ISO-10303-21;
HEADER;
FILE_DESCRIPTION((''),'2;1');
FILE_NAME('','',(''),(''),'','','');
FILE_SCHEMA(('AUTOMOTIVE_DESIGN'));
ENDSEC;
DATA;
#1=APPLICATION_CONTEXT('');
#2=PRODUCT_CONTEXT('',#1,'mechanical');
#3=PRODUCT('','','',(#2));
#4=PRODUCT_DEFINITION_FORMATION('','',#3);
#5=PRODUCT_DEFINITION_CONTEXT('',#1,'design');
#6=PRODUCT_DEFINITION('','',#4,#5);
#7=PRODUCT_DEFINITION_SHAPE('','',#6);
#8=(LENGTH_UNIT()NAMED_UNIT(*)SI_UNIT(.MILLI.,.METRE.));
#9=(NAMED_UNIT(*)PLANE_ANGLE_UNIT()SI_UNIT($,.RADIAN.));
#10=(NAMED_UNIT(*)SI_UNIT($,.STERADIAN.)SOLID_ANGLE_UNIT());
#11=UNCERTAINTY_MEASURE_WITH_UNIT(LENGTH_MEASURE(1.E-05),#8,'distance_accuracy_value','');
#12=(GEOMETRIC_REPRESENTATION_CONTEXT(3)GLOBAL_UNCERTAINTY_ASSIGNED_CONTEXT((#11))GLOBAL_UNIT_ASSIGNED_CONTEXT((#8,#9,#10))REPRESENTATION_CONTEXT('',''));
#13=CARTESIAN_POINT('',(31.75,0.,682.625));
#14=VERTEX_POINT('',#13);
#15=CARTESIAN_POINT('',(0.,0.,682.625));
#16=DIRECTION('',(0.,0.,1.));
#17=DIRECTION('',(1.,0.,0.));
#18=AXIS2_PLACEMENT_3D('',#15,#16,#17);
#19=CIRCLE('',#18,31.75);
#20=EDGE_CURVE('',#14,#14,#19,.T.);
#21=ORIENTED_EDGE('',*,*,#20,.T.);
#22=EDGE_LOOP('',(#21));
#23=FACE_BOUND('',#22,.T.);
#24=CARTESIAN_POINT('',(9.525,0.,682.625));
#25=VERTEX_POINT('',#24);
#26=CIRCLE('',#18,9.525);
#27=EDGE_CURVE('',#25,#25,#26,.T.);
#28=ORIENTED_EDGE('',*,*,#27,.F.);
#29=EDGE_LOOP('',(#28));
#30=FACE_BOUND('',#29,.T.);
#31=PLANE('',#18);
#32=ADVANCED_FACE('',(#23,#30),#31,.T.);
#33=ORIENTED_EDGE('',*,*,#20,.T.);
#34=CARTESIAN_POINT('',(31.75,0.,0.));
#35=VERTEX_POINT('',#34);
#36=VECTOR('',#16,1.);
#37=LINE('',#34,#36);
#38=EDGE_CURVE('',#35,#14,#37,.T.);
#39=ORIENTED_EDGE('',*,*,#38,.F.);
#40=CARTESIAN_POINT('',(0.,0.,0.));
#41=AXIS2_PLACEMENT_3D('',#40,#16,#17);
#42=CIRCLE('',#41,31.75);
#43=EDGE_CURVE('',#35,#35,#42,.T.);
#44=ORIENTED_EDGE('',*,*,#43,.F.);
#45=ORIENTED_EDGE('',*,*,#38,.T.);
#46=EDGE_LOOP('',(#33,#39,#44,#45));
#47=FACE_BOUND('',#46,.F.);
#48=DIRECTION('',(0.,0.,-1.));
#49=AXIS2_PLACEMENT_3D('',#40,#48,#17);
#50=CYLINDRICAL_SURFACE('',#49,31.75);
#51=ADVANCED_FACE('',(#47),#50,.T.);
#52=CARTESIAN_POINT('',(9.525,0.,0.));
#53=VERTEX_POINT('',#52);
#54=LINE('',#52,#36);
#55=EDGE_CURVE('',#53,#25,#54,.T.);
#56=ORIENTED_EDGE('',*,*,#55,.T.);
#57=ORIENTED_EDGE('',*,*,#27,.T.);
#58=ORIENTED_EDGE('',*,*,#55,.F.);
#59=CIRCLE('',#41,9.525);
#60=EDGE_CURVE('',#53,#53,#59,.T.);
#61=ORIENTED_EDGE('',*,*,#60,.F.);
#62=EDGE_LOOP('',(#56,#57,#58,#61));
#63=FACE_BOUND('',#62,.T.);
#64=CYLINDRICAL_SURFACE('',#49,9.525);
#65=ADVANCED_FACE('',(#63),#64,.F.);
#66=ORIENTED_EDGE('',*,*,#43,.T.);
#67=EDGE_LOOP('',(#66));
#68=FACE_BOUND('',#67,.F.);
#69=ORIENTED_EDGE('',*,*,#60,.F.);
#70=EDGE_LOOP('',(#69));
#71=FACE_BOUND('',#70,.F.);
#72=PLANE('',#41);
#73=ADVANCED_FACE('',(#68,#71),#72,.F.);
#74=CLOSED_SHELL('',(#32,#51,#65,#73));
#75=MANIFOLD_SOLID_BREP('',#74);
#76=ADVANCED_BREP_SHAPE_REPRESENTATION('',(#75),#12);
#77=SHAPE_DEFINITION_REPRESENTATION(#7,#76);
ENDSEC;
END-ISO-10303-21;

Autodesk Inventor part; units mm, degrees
ref_plane "YZ Plane" through (0, 0, 0) normal (1, 0, 0) x (0, 1, 0)
ref_plane "XZ Plane" through (0, 0, 0) normal (0, 1, 0) x (-1, 0, 0)
ref_plane "XY Plane" through (0, 0, 0) normal (0, 0, 1) x (1, 0, 0)
sketch "Sketch1" plane through (0, 0, 0) normal (0, 0, 1) x (1, 0, 0)
  circle A0 centre (0, 0) radius 31.75
  circle A1 centre (0, 0) radius 9.525
  dimension "d0" = 63.5
  dimension "d1" = 19.05
extrude "Extrusion1" add sketch "Sketch1" along normal blind 682.625
properties part number "Pool Noodle Part1 (26x28 robot)"
